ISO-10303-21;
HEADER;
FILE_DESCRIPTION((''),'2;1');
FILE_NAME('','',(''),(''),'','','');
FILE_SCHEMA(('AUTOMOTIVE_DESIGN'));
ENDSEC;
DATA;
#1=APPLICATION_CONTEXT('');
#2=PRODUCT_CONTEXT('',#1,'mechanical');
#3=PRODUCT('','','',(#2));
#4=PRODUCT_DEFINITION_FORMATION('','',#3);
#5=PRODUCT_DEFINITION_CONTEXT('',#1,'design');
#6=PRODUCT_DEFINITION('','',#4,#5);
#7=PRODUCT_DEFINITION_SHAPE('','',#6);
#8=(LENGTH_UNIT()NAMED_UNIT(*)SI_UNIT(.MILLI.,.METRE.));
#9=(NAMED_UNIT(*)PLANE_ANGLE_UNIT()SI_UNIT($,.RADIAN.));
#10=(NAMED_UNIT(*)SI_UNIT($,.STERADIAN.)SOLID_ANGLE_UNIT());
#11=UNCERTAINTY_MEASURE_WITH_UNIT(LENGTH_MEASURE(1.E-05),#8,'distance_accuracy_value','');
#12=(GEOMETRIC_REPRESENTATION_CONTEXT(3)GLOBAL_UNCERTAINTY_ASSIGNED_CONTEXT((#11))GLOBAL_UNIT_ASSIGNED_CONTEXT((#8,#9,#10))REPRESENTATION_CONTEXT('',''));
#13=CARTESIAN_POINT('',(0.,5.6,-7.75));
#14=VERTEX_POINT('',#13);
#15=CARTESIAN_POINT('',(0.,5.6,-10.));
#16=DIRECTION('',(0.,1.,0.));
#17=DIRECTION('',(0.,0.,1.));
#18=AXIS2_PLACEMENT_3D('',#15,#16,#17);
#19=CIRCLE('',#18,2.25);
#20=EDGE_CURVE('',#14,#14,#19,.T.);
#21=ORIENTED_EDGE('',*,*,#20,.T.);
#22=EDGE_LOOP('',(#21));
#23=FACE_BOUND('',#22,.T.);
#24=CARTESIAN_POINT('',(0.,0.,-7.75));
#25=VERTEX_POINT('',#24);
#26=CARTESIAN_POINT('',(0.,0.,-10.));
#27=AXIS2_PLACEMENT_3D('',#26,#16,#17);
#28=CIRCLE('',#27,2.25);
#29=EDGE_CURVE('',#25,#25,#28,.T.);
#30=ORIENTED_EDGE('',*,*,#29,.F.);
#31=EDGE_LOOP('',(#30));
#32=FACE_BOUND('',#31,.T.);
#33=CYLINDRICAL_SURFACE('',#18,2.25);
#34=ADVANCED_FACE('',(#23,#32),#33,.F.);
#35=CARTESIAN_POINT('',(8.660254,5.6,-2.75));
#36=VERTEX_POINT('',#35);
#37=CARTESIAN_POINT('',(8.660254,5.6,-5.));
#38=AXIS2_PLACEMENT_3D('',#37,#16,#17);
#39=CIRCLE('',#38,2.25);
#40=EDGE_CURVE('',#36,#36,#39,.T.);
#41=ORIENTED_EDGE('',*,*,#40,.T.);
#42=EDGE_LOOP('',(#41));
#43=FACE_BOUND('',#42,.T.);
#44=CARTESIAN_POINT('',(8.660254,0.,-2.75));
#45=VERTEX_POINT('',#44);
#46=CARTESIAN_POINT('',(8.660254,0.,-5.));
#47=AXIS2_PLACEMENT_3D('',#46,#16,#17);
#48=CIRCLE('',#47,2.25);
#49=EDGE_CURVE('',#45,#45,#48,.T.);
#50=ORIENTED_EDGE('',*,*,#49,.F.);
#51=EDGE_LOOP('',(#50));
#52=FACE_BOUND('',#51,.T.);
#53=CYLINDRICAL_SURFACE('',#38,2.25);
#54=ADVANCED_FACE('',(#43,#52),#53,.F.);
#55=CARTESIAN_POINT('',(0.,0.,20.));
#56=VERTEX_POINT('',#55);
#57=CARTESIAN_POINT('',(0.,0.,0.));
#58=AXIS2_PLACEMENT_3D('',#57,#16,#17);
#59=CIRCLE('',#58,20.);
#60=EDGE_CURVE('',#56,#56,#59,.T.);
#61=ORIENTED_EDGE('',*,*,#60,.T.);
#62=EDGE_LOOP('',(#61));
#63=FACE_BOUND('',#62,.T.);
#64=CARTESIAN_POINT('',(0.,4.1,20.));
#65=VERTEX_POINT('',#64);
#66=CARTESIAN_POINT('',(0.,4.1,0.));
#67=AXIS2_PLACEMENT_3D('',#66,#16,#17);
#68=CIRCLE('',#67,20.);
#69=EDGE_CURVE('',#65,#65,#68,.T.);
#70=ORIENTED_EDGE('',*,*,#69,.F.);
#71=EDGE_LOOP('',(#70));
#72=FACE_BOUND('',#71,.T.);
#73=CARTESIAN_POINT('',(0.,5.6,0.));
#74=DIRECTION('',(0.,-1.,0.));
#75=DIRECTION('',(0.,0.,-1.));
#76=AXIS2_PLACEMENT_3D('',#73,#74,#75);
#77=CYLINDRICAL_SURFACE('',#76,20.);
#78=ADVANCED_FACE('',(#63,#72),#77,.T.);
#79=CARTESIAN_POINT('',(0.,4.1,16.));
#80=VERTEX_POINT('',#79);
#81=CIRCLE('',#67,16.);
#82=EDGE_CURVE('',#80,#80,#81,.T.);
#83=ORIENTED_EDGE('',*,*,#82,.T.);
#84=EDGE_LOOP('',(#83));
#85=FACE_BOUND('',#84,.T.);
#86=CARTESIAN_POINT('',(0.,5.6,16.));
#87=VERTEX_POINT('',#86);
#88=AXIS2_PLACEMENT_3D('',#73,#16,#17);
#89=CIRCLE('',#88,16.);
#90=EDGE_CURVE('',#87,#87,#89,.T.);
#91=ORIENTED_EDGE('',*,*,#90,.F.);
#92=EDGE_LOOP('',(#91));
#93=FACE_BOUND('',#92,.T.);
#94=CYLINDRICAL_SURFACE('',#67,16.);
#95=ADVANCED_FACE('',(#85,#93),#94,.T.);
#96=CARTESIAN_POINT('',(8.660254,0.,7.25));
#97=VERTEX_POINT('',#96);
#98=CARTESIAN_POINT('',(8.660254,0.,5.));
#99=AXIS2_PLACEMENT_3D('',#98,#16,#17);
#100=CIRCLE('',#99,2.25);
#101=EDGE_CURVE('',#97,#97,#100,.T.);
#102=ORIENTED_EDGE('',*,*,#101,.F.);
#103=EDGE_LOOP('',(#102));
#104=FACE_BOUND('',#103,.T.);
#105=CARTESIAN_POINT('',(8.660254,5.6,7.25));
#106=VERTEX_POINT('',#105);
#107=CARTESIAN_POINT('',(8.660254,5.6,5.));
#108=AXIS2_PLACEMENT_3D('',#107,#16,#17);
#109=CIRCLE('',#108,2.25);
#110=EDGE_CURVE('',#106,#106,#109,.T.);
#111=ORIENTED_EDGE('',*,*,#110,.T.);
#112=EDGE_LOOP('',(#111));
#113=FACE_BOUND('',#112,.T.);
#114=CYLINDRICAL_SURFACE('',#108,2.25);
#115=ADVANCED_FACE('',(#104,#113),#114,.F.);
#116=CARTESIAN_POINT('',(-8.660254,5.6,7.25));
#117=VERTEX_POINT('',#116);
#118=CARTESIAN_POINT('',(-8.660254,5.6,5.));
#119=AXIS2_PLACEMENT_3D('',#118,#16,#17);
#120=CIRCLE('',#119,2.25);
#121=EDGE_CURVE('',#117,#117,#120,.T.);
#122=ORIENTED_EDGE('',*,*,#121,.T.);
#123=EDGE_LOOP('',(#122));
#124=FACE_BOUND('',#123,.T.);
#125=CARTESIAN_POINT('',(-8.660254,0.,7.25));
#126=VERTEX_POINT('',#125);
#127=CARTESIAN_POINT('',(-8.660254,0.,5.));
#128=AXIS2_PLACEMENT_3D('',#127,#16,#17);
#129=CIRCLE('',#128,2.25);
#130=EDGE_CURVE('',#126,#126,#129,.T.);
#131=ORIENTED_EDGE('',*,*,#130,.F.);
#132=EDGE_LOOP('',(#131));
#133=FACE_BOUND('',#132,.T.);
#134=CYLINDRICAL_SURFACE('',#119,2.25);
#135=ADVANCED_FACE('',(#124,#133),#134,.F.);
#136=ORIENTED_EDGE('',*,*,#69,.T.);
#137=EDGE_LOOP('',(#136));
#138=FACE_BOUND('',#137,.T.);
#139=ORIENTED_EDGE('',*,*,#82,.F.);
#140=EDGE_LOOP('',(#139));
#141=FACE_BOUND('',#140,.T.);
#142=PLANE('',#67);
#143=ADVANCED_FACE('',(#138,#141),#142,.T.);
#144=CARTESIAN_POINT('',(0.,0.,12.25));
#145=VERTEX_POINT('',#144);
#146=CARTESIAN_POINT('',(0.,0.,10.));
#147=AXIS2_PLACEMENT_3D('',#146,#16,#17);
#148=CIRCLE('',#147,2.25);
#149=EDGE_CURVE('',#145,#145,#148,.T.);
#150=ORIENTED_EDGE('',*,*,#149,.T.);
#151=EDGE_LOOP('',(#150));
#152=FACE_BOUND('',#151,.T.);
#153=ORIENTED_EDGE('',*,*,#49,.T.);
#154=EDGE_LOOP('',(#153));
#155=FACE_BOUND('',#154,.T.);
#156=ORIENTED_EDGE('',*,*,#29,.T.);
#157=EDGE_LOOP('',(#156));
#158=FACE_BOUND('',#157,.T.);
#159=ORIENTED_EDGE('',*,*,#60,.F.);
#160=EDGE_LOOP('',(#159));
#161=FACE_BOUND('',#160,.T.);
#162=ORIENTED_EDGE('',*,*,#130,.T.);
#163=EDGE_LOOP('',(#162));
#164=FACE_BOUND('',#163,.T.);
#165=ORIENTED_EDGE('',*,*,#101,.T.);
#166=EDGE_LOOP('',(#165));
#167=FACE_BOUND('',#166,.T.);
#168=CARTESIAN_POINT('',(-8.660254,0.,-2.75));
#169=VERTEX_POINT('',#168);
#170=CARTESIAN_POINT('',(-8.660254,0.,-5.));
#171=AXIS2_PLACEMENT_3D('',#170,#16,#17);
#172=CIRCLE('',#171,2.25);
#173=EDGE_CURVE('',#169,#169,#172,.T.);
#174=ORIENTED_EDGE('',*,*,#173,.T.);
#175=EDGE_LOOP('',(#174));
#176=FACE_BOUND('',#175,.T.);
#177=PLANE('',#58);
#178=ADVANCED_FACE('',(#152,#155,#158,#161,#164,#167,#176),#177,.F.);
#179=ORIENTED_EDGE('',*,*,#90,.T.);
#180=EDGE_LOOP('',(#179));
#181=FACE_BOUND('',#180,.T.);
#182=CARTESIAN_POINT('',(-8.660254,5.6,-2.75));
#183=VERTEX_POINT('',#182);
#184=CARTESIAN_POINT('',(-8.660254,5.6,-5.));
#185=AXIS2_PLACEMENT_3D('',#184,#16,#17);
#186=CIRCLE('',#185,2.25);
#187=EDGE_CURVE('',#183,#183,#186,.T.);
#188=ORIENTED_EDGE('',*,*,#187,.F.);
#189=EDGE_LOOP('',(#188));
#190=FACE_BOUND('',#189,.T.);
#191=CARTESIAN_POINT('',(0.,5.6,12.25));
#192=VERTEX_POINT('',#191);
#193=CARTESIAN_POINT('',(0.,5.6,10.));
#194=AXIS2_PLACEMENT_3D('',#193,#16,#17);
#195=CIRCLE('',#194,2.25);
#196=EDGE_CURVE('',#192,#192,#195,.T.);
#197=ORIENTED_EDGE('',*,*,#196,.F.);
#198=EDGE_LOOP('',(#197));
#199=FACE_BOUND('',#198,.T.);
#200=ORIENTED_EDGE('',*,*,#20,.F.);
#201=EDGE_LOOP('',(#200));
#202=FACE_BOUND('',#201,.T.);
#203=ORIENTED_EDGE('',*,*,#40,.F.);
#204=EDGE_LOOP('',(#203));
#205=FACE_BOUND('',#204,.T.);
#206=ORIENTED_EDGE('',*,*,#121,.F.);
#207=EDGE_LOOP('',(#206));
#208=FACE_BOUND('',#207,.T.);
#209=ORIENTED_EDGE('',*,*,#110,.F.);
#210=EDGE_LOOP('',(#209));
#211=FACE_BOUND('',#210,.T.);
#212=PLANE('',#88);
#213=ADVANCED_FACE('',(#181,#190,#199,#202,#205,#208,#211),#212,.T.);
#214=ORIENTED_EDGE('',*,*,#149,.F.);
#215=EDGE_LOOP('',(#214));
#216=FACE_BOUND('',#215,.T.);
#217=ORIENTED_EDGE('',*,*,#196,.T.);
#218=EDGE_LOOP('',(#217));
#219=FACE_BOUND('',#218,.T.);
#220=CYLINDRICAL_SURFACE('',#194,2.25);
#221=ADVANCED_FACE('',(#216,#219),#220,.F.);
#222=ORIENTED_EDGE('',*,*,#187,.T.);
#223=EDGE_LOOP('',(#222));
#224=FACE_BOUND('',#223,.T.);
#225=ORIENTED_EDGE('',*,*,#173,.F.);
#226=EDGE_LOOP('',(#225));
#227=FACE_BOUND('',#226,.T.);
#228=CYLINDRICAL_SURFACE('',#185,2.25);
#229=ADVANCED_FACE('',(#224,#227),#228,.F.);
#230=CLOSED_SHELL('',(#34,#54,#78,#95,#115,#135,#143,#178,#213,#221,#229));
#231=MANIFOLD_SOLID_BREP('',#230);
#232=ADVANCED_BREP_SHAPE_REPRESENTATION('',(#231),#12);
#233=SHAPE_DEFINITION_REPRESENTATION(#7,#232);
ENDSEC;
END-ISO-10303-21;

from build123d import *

# Parameters (mm, degrees)
SKIZZE1_R                       = 20
AUFSATZ_LINEAR_AUSTRAGEN1_DEPTH = 5.6
SCHNITT_LINEAR_START            = -1.5
SKIZZE2_R                       = 20
SKIZZE2_R_2                     = 16
SCHNITT_LINEAR_AUSTRAGEN1_DEPTH = 1.5
DURCHGANGSLOCH_F_R_M41_D        = 4.5


with BuildPart() as part:
    # Skizze1 → Aufsatz-Linear austragen1 (new body)
    with BuildSketch(Plane(origin=(0, 0, 0), x_dir=(1, 0, 0), z_dir=(0, 1, 0))):
        with Locations(Location((0, 0, 0), (0, 0, 270))):
            Circle(SKIZZE1_R)
    extrude(amount=AUFSATZ_LINEAR_AUSTRAGEN1_DEPTH)

    # Skizze2 → Schnitt-Linear austragen1 (cut)
    with BuildSketch(Plane(origin=(0, 5.6, 0), x_dir=(1, 0, 0), z_dir=(0, 1, 0)).offset(SCHNITT_LINEAR_START)):
        with Locations(Location((0, 0, 0), (0, 0, 270))):
            Circle(SKIZZE2_R)
        with Locations(Location((0, 0, 0), (0, 0, 270))):
            Circle(SKIZZE2_R_2, mode=Mode.SUBTRACT)
    extrude(amount=SCHNITT_LINEAR_AUSTRAGEN1_DEPTH, mode=Mode.SUBTRACT)

    # Durchgangsloch für M41 (through all)
    with Locations(Plane(origin=(0, 5.6, 0), x_dir=(1, 0, 0), z_dir=(0, 1, 0))):
        with Locations((0, 10), (8.660254038, 5), (8.660254038, -5), (0, -10), (-8.660254038, -5), (-8.660254038, 5)):
            Hole(DURCHGANGSLOCH_F_R_M41_D / 2)


solid = part.part
